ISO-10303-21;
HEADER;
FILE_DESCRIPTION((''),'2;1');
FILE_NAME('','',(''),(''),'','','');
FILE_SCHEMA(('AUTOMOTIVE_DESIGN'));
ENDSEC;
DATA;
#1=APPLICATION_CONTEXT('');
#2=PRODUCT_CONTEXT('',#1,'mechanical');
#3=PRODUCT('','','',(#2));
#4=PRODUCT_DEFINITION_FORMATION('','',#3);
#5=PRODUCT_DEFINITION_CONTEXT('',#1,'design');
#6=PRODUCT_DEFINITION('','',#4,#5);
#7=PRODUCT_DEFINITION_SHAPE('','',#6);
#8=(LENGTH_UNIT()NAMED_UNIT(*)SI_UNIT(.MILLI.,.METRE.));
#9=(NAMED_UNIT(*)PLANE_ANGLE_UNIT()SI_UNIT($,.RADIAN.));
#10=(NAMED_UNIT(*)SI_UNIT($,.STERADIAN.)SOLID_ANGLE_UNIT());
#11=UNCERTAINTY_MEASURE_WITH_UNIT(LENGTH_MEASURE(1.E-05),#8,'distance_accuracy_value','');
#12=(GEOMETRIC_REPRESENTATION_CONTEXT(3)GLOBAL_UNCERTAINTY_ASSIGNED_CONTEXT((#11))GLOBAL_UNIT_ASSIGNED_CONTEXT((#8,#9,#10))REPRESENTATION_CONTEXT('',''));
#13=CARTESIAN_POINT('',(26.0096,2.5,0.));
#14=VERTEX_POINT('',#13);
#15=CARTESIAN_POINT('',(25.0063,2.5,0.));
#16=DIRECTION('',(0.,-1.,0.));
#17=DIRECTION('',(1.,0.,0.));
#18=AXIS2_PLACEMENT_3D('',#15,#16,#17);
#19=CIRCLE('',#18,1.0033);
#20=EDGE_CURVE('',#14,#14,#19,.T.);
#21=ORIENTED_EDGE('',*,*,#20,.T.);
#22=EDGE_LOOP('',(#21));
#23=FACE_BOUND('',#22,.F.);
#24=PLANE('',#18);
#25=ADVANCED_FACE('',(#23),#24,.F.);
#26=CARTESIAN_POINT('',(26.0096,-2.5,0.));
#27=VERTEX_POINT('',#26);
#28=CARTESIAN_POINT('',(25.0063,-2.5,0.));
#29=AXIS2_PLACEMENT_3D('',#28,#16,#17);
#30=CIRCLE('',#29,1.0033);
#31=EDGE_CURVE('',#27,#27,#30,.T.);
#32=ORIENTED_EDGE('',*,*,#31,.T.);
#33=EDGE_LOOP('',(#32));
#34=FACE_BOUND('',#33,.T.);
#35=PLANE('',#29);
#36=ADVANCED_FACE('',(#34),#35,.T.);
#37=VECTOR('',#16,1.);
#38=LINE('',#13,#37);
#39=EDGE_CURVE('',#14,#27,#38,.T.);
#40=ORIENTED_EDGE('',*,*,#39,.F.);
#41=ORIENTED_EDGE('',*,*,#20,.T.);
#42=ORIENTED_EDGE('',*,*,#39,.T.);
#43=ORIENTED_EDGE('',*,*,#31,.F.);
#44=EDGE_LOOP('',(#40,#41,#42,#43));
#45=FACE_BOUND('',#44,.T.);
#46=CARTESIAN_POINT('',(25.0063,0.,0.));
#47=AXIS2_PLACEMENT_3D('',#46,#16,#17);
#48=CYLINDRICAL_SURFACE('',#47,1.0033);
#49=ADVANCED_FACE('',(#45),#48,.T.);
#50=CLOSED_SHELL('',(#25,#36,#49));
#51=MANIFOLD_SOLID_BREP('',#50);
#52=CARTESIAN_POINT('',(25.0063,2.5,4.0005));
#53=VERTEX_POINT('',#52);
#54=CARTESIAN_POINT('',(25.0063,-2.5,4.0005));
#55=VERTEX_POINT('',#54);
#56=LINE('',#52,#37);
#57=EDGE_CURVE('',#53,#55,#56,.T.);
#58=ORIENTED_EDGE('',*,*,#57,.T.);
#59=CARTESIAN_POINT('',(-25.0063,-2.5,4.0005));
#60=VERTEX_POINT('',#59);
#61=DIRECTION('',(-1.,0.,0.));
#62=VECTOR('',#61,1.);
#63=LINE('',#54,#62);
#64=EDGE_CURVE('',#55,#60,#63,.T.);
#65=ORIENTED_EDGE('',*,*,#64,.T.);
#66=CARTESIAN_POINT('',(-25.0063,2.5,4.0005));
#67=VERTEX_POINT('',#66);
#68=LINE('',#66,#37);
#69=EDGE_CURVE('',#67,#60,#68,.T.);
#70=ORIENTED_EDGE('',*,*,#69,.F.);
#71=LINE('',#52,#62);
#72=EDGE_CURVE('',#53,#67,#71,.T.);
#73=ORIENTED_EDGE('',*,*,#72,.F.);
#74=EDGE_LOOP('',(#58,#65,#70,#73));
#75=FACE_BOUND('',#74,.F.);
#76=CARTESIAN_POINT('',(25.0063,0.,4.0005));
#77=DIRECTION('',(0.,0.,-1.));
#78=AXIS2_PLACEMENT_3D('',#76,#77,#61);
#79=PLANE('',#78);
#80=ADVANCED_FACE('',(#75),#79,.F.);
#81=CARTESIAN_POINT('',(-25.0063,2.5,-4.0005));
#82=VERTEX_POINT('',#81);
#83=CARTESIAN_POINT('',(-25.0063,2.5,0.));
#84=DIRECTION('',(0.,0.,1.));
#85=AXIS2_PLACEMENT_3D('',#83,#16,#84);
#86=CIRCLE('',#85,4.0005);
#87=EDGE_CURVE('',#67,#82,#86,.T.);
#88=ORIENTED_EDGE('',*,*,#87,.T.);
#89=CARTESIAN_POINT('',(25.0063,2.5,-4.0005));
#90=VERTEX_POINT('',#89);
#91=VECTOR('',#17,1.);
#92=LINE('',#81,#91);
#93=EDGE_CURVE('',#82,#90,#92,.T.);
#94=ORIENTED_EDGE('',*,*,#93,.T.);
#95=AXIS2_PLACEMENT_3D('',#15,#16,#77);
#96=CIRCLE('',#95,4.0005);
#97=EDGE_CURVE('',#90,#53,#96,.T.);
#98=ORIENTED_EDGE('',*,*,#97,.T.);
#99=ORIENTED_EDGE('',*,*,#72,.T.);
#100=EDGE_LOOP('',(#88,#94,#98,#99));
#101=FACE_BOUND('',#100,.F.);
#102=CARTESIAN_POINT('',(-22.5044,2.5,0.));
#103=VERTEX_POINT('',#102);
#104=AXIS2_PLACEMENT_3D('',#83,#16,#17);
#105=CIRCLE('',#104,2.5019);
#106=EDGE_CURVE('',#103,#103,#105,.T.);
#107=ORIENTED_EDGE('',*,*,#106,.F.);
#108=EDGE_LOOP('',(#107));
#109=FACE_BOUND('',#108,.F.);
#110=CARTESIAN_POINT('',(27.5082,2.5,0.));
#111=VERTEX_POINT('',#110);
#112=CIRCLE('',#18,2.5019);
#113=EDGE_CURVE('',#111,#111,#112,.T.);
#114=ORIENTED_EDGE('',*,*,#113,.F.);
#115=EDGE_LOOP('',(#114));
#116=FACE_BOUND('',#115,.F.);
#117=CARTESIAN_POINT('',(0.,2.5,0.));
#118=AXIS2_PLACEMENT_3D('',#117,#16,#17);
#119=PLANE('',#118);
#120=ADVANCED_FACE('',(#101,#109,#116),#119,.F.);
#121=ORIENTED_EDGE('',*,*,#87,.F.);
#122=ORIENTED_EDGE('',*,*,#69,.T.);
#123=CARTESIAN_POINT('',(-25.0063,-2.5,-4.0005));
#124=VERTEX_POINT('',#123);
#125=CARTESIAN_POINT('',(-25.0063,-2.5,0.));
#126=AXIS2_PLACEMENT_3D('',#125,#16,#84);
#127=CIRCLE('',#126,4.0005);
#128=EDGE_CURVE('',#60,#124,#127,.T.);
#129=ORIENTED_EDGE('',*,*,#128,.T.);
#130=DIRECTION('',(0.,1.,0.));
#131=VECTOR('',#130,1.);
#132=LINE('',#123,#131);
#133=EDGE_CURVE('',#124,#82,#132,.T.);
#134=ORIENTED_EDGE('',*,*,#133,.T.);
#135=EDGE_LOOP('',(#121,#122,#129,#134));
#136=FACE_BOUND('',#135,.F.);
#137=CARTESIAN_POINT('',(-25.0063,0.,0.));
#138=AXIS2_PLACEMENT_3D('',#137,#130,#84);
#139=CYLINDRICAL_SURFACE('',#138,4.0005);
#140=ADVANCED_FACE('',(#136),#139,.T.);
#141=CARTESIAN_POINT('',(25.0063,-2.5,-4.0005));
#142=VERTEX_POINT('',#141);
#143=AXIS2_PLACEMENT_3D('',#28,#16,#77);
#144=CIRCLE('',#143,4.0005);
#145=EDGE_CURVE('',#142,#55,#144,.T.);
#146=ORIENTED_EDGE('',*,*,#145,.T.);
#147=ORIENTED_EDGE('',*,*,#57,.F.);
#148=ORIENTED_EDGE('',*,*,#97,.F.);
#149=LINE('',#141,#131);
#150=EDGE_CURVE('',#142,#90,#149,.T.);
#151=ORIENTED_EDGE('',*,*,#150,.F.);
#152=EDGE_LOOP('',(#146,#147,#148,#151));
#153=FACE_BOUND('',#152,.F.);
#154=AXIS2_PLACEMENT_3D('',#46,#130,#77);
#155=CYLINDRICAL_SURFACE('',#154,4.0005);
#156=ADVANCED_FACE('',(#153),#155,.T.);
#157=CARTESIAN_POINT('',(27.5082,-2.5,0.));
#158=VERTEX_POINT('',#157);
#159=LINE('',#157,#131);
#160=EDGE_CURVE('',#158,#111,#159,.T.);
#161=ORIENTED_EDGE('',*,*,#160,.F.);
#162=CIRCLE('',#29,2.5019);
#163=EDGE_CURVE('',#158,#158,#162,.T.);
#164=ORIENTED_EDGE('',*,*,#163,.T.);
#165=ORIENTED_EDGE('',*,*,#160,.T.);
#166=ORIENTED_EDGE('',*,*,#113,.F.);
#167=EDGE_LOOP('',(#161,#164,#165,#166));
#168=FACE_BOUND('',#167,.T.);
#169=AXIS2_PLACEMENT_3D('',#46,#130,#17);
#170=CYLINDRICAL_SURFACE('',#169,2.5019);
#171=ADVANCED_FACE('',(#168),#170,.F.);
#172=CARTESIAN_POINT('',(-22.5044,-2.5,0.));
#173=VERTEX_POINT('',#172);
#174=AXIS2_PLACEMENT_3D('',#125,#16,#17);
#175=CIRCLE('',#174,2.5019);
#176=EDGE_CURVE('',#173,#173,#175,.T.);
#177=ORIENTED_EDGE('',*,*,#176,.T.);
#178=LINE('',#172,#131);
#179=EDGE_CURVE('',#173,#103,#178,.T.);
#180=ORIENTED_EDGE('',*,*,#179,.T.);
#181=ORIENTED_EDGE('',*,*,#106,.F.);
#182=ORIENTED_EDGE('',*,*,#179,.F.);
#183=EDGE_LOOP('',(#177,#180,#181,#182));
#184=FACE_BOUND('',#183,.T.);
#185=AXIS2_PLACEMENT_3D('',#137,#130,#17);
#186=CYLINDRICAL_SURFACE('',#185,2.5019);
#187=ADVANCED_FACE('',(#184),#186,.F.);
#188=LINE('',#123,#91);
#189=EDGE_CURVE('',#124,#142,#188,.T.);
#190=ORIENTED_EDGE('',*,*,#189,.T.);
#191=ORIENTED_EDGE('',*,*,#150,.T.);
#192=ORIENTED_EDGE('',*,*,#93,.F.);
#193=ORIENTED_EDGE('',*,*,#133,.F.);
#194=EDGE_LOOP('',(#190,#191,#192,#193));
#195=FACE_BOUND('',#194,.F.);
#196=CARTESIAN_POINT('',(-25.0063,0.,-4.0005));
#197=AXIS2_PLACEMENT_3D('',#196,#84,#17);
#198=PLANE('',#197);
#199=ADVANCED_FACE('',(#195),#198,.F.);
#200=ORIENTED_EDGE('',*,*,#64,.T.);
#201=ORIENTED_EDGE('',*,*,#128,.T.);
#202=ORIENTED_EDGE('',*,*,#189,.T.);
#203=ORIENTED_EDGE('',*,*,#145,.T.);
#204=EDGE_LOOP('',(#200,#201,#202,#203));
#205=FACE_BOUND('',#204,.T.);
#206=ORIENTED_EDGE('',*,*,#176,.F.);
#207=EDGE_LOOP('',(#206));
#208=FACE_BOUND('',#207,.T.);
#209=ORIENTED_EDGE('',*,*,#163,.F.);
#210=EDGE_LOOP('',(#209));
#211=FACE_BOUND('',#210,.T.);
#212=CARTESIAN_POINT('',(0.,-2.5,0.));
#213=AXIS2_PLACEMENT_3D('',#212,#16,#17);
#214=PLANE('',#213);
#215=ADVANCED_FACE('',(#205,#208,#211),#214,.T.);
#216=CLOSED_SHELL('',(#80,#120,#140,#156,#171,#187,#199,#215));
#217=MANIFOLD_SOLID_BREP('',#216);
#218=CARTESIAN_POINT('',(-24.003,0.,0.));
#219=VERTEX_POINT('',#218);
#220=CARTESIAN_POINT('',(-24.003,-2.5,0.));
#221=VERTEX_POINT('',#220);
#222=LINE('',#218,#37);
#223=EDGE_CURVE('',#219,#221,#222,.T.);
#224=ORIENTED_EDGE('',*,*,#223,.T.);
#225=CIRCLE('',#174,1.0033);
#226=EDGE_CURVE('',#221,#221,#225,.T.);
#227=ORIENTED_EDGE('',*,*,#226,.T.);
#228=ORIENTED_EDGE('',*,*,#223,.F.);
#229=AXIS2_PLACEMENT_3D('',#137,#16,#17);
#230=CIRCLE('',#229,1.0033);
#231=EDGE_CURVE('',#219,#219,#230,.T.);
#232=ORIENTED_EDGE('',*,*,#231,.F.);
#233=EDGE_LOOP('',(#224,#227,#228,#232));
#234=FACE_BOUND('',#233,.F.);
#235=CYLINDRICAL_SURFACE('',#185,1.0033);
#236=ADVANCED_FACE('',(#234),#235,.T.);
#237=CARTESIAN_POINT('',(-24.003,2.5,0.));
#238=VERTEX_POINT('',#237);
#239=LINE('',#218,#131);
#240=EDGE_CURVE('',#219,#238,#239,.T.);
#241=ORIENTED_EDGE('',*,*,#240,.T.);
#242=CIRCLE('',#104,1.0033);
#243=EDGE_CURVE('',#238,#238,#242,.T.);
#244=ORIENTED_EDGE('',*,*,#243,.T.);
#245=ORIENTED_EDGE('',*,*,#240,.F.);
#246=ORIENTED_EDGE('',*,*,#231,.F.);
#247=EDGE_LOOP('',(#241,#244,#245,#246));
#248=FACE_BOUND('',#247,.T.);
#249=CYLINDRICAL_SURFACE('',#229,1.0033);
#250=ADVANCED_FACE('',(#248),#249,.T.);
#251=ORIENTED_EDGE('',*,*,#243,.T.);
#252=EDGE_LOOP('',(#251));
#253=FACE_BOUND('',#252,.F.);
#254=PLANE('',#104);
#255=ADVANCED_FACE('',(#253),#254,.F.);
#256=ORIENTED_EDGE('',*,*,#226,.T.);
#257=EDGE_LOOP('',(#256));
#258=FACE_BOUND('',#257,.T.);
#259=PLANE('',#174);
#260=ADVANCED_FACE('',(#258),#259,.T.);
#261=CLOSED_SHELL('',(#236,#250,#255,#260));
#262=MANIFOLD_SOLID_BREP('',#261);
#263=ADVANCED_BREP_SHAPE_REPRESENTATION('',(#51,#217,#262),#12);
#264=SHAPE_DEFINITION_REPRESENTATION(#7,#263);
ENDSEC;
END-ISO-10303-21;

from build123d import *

# Parameters (mm, degrees)
F0_R     = 2.5019
F0_R_2   = 1.0033
F1_DEPTH = 2.5


with BuildPart() as f1:
    # F0 (on Front) → F1 (new body, symmetric)
    with BuildSketch(Plane.XZ):
        with BuildLine():
            ThreePointArc((25.0063, -4.0005), (29.0068, 0), (25.0063, 4.0005))
            Line((25.0063, 4.0005), (-25.0063, 4.0005))
            ThreePointArc((-25.0063, 4.0005), (-29.0068, 0), (-25.0063, -4.0005))
            Line((-25.0063, -4.0005), (25.0063, -4.0005))
        make_face()
        with Locations((-25.0063, 0)):
            Circle(F0_R, mode=Mode.SUBTRACT)
        with Locations((25.0063, 0)):
            Circle(F0_R, mode=Mode.SUBTRACT)
        with Locations((-25.0063, 0)):
            Circle(F0_R_2)
        with Locations((25.0063, 0)):
            Circle(F0_R_2)
    extrude(amount=F1_DEPTH, both=True)


solid = f1.part
